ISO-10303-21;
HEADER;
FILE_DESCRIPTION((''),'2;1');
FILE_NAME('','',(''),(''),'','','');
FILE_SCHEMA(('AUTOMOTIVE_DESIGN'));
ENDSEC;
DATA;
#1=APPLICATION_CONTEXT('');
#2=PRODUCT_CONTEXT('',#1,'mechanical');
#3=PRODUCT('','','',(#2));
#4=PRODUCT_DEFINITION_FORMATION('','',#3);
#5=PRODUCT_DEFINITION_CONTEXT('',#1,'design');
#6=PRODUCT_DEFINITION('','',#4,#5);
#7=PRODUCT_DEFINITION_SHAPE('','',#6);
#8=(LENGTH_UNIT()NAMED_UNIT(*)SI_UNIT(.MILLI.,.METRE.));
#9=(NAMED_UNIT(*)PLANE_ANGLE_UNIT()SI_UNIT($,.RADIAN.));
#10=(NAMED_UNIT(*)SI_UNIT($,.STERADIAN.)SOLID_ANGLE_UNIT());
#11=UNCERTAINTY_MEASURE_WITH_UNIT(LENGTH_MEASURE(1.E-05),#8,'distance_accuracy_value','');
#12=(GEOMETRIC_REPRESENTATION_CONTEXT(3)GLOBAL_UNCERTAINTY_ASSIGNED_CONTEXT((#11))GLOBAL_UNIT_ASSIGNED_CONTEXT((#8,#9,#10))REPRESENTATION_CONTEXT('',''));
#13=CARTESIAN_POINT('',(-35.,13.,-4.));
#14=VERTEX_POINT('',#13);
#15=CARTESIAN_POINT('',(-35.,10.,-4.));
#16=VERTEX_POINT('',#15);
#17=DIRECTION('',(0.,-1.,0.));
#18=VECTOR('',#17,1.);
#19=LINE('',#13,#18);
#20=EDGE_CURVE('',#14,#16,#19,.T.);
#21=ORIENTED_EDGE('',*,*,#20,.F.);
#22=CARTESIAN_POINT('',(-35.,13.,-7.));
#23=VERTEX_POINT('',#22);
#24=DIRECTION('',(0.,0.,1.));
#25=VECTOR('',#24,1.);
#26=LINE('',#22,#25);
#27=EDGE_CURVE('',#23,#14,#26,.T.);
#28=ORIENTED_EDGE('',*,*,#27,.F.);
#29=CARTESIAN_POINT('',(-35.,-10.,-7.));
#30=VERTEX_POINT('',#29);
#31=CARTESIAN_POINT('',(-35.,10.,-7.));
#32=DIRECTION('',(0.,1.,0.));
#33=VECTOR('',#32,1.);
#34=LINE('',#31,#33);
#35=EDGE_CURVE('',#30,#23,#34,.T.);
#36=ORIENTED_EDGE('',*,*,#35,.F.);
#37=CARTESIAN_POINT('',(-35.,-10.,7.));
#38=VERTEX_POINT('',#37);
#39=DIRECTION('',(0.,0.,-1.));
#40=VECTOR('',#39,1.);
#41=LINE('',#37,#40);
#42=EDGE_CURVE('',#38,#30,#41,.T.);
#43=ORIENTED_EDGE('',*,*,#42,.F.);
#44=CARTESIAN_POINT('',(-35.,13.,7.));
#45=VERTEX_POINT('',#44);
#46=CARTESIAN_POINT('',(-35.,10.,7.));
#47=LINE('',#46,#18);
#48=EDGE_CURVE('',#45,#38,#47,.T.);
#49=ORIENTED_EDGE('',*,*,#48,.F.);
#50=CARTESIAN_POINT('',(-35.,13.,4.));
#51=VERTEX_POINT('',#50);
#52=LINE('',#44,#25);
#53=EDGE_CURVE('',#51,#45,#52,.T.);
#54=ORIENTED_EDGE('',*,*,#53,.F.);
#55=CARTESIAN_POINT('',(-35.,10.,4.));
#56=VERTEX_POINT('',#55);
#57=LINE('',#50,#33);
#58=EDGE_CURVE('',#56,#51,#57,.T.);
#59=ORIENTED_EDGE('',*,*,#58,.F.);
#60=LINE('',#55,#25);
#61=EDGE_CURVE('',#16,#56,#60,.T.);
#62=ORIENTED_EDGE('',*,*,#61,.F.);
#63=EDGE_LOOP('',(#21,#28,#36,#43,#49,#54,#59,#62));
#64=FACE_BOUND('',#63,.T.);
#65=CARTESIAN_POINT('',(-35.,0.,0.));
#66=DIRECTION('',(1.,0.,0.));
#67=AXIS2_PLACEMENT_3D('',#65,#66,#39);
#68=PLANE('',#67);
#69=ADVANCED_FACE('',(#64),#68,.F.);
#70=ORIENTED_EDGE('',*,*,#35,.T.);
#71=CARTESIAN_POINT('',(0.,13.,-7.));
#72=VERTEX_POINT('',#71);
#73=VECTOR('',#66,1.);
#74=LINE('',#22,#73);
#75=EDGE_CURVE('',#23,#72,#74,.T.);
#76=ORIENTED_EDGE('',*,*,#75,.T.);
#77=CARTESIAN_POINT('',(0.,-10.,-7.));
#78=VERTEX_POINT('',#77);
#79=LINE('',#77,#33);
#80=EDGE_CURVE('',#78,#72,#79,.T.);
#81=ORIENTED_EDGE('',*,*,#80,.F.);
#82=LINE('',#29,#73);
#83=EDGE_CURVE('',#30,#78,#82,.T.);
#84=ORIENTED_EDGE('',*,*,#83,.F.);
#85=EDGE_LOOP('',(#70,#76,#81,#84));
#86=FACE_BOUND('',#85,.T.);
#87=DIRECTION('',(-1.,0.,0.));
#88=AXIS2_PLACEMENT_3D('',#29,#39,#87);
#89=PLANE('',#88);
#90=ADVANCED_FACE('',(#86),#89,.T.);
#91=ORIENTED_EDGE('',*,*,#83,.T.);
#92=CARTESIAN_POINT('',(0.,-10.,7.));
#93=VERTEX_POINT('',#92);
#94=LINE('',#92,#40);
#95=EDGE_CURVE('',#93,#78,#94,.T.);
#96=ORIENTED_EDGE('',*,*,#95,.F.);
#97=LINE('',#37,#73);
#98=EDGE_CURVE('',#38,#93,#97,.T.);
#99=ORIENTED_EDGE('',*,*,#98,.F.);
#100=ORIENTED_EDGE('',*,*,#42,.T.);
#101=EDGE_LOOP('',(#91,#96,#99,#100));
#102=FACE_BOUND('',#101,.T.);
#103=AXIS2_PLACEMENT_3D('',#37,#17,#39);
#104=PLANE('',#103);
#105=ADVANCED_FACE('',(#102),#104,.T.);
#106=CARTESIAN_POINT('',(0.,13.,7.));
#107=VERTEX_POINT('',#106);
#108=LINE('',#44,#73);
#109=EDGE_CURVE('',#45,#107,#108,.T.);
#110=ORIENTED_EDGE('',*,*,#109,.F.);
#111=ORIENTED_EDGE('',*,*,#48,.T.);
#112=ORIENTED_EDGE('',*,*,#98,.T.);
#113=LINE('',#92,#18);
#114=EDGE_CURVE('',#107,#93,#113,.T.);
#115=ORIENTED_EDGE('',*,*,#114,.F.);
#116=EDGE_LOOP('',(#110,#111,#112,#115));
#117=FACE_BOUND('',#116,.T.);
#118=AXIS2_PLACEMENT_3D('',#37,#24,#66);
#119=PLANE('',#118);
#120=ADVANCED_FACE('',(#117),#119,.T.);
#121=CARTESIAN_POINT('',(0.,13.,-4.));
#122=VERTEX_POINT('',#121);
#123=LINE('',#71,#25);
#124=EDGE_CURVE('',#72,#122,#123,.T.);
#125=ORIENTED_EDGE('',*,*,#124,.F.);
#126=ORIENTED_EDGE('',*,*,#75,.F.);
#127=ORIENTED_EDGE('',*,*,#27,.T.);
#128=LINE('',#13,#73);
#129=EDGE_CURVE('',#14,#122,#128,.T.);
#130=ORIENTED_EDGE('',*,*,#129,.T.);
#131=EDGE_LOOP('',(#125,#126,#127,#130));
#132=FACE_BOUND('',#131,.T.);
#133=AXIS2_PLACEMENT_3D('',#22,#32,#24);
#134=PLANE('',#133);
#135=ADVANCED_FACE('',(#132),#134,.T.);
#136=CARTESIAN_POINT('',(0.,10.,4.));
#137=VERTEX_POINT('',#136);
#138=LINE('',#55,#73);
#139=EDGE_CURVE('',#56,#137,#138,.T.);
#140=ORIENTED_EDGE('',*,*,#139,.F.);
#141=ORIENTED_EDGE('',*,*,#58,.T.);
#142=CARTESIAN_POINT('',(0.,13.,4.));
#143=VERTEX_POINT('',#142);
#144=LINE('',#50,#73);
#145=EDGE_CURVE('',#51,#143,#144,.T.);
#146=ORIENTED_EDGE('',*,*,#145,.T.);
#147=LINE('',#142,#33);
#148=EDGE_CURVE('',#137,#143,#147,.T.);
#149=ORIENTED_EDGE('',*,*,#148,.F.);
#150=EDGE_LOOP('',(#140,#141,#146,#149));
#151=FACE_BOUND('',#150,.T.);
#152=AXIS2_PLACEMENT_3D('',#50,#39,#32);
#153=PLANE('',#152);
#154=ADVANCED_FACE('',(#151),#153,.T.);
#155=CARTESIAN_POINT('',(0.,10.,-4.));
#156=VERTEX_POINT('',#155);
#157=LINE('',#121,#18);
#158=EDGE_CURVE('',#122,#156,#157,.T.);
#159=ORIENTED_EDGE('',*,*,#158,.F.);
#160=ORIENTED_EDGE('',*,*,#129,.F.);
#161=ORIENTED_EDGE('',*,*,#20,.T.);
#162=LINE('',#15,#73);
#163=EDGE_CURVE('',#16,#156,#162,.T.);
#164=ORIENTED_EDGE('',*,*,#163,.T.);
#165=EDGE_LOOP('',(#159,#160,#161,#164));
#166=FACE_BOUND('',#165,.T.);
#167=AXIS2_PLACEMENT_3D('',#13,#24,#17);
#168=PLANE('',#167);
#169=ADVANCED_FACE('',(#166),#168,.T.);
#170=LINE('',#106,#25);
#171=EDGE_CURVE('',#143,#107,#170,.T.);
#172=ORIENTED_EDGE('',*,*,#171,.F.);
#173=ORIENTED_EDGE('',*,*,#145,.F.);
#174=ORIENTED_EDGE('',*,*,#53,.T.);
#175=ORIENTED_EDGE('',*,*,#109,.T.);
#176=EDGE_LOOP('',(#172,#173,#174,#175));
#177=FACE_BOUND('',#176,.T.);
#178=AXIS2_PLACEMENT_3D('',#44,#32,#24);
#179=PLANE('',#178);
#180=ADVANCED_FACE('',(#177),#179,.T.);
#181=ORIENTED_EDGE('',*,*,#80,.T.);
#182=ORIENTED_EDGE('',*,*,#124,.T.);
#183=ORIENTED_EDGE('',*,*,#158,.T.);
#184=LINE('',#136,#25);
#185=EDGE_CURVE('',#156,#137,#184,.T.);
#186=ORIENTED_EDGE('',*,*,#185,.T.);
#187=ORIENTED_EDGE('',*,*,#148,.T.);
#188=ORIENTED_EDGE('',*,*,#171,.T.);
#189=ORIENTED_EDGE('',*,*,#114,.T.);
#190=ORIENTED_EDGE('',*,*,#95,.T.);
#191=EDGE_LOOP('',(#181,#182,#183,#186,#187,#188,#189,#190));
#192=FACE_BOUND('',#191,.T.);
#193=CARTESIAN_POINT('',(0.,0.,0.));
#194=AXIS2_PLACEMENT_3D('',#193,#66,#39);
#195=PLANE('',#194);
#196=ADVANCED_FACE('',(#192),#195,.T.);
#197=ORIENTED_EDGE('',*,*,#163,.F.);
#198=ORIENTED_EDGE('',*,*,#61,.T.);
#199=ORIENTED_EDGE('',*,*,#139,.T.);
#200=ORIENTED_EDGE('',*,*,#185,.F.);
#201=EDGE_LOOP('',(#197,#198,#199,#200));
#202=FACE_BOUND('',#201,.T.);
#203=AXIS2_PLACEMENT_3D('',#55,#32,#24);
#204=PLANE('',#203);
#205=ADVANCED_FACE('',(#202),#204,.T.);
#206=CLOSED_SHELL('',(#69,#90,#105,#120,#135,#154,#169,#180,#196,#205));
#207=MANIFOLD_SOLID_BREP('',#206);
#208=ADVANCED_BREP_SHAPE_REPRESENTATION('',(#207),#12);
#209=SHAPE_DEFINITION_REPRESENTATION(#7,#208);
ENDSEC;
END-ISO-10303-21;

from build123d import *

# Parameters (mm, degrees)
BOSS_EXTRUDE1_DEPTH = 35


with BuildPart() as part:
    # Sketch1 → Boss-Extrude1 (new body)
    with BuildSketch(Plane(origin=(0, 0, 0), x_dir=(0, 0, -1), z_dir=(1, 0, 0))):
        Polygon((-7, 10), (-7, 13), (-4, 13), (-4, 10), (4, 10), (4, 13), (7, 13), (7, 10), (7, -10), (-7, -10), align=None)
    extrude(amount=-BOSS_EXTRUDE1_DEPTH)


solid = part.part
